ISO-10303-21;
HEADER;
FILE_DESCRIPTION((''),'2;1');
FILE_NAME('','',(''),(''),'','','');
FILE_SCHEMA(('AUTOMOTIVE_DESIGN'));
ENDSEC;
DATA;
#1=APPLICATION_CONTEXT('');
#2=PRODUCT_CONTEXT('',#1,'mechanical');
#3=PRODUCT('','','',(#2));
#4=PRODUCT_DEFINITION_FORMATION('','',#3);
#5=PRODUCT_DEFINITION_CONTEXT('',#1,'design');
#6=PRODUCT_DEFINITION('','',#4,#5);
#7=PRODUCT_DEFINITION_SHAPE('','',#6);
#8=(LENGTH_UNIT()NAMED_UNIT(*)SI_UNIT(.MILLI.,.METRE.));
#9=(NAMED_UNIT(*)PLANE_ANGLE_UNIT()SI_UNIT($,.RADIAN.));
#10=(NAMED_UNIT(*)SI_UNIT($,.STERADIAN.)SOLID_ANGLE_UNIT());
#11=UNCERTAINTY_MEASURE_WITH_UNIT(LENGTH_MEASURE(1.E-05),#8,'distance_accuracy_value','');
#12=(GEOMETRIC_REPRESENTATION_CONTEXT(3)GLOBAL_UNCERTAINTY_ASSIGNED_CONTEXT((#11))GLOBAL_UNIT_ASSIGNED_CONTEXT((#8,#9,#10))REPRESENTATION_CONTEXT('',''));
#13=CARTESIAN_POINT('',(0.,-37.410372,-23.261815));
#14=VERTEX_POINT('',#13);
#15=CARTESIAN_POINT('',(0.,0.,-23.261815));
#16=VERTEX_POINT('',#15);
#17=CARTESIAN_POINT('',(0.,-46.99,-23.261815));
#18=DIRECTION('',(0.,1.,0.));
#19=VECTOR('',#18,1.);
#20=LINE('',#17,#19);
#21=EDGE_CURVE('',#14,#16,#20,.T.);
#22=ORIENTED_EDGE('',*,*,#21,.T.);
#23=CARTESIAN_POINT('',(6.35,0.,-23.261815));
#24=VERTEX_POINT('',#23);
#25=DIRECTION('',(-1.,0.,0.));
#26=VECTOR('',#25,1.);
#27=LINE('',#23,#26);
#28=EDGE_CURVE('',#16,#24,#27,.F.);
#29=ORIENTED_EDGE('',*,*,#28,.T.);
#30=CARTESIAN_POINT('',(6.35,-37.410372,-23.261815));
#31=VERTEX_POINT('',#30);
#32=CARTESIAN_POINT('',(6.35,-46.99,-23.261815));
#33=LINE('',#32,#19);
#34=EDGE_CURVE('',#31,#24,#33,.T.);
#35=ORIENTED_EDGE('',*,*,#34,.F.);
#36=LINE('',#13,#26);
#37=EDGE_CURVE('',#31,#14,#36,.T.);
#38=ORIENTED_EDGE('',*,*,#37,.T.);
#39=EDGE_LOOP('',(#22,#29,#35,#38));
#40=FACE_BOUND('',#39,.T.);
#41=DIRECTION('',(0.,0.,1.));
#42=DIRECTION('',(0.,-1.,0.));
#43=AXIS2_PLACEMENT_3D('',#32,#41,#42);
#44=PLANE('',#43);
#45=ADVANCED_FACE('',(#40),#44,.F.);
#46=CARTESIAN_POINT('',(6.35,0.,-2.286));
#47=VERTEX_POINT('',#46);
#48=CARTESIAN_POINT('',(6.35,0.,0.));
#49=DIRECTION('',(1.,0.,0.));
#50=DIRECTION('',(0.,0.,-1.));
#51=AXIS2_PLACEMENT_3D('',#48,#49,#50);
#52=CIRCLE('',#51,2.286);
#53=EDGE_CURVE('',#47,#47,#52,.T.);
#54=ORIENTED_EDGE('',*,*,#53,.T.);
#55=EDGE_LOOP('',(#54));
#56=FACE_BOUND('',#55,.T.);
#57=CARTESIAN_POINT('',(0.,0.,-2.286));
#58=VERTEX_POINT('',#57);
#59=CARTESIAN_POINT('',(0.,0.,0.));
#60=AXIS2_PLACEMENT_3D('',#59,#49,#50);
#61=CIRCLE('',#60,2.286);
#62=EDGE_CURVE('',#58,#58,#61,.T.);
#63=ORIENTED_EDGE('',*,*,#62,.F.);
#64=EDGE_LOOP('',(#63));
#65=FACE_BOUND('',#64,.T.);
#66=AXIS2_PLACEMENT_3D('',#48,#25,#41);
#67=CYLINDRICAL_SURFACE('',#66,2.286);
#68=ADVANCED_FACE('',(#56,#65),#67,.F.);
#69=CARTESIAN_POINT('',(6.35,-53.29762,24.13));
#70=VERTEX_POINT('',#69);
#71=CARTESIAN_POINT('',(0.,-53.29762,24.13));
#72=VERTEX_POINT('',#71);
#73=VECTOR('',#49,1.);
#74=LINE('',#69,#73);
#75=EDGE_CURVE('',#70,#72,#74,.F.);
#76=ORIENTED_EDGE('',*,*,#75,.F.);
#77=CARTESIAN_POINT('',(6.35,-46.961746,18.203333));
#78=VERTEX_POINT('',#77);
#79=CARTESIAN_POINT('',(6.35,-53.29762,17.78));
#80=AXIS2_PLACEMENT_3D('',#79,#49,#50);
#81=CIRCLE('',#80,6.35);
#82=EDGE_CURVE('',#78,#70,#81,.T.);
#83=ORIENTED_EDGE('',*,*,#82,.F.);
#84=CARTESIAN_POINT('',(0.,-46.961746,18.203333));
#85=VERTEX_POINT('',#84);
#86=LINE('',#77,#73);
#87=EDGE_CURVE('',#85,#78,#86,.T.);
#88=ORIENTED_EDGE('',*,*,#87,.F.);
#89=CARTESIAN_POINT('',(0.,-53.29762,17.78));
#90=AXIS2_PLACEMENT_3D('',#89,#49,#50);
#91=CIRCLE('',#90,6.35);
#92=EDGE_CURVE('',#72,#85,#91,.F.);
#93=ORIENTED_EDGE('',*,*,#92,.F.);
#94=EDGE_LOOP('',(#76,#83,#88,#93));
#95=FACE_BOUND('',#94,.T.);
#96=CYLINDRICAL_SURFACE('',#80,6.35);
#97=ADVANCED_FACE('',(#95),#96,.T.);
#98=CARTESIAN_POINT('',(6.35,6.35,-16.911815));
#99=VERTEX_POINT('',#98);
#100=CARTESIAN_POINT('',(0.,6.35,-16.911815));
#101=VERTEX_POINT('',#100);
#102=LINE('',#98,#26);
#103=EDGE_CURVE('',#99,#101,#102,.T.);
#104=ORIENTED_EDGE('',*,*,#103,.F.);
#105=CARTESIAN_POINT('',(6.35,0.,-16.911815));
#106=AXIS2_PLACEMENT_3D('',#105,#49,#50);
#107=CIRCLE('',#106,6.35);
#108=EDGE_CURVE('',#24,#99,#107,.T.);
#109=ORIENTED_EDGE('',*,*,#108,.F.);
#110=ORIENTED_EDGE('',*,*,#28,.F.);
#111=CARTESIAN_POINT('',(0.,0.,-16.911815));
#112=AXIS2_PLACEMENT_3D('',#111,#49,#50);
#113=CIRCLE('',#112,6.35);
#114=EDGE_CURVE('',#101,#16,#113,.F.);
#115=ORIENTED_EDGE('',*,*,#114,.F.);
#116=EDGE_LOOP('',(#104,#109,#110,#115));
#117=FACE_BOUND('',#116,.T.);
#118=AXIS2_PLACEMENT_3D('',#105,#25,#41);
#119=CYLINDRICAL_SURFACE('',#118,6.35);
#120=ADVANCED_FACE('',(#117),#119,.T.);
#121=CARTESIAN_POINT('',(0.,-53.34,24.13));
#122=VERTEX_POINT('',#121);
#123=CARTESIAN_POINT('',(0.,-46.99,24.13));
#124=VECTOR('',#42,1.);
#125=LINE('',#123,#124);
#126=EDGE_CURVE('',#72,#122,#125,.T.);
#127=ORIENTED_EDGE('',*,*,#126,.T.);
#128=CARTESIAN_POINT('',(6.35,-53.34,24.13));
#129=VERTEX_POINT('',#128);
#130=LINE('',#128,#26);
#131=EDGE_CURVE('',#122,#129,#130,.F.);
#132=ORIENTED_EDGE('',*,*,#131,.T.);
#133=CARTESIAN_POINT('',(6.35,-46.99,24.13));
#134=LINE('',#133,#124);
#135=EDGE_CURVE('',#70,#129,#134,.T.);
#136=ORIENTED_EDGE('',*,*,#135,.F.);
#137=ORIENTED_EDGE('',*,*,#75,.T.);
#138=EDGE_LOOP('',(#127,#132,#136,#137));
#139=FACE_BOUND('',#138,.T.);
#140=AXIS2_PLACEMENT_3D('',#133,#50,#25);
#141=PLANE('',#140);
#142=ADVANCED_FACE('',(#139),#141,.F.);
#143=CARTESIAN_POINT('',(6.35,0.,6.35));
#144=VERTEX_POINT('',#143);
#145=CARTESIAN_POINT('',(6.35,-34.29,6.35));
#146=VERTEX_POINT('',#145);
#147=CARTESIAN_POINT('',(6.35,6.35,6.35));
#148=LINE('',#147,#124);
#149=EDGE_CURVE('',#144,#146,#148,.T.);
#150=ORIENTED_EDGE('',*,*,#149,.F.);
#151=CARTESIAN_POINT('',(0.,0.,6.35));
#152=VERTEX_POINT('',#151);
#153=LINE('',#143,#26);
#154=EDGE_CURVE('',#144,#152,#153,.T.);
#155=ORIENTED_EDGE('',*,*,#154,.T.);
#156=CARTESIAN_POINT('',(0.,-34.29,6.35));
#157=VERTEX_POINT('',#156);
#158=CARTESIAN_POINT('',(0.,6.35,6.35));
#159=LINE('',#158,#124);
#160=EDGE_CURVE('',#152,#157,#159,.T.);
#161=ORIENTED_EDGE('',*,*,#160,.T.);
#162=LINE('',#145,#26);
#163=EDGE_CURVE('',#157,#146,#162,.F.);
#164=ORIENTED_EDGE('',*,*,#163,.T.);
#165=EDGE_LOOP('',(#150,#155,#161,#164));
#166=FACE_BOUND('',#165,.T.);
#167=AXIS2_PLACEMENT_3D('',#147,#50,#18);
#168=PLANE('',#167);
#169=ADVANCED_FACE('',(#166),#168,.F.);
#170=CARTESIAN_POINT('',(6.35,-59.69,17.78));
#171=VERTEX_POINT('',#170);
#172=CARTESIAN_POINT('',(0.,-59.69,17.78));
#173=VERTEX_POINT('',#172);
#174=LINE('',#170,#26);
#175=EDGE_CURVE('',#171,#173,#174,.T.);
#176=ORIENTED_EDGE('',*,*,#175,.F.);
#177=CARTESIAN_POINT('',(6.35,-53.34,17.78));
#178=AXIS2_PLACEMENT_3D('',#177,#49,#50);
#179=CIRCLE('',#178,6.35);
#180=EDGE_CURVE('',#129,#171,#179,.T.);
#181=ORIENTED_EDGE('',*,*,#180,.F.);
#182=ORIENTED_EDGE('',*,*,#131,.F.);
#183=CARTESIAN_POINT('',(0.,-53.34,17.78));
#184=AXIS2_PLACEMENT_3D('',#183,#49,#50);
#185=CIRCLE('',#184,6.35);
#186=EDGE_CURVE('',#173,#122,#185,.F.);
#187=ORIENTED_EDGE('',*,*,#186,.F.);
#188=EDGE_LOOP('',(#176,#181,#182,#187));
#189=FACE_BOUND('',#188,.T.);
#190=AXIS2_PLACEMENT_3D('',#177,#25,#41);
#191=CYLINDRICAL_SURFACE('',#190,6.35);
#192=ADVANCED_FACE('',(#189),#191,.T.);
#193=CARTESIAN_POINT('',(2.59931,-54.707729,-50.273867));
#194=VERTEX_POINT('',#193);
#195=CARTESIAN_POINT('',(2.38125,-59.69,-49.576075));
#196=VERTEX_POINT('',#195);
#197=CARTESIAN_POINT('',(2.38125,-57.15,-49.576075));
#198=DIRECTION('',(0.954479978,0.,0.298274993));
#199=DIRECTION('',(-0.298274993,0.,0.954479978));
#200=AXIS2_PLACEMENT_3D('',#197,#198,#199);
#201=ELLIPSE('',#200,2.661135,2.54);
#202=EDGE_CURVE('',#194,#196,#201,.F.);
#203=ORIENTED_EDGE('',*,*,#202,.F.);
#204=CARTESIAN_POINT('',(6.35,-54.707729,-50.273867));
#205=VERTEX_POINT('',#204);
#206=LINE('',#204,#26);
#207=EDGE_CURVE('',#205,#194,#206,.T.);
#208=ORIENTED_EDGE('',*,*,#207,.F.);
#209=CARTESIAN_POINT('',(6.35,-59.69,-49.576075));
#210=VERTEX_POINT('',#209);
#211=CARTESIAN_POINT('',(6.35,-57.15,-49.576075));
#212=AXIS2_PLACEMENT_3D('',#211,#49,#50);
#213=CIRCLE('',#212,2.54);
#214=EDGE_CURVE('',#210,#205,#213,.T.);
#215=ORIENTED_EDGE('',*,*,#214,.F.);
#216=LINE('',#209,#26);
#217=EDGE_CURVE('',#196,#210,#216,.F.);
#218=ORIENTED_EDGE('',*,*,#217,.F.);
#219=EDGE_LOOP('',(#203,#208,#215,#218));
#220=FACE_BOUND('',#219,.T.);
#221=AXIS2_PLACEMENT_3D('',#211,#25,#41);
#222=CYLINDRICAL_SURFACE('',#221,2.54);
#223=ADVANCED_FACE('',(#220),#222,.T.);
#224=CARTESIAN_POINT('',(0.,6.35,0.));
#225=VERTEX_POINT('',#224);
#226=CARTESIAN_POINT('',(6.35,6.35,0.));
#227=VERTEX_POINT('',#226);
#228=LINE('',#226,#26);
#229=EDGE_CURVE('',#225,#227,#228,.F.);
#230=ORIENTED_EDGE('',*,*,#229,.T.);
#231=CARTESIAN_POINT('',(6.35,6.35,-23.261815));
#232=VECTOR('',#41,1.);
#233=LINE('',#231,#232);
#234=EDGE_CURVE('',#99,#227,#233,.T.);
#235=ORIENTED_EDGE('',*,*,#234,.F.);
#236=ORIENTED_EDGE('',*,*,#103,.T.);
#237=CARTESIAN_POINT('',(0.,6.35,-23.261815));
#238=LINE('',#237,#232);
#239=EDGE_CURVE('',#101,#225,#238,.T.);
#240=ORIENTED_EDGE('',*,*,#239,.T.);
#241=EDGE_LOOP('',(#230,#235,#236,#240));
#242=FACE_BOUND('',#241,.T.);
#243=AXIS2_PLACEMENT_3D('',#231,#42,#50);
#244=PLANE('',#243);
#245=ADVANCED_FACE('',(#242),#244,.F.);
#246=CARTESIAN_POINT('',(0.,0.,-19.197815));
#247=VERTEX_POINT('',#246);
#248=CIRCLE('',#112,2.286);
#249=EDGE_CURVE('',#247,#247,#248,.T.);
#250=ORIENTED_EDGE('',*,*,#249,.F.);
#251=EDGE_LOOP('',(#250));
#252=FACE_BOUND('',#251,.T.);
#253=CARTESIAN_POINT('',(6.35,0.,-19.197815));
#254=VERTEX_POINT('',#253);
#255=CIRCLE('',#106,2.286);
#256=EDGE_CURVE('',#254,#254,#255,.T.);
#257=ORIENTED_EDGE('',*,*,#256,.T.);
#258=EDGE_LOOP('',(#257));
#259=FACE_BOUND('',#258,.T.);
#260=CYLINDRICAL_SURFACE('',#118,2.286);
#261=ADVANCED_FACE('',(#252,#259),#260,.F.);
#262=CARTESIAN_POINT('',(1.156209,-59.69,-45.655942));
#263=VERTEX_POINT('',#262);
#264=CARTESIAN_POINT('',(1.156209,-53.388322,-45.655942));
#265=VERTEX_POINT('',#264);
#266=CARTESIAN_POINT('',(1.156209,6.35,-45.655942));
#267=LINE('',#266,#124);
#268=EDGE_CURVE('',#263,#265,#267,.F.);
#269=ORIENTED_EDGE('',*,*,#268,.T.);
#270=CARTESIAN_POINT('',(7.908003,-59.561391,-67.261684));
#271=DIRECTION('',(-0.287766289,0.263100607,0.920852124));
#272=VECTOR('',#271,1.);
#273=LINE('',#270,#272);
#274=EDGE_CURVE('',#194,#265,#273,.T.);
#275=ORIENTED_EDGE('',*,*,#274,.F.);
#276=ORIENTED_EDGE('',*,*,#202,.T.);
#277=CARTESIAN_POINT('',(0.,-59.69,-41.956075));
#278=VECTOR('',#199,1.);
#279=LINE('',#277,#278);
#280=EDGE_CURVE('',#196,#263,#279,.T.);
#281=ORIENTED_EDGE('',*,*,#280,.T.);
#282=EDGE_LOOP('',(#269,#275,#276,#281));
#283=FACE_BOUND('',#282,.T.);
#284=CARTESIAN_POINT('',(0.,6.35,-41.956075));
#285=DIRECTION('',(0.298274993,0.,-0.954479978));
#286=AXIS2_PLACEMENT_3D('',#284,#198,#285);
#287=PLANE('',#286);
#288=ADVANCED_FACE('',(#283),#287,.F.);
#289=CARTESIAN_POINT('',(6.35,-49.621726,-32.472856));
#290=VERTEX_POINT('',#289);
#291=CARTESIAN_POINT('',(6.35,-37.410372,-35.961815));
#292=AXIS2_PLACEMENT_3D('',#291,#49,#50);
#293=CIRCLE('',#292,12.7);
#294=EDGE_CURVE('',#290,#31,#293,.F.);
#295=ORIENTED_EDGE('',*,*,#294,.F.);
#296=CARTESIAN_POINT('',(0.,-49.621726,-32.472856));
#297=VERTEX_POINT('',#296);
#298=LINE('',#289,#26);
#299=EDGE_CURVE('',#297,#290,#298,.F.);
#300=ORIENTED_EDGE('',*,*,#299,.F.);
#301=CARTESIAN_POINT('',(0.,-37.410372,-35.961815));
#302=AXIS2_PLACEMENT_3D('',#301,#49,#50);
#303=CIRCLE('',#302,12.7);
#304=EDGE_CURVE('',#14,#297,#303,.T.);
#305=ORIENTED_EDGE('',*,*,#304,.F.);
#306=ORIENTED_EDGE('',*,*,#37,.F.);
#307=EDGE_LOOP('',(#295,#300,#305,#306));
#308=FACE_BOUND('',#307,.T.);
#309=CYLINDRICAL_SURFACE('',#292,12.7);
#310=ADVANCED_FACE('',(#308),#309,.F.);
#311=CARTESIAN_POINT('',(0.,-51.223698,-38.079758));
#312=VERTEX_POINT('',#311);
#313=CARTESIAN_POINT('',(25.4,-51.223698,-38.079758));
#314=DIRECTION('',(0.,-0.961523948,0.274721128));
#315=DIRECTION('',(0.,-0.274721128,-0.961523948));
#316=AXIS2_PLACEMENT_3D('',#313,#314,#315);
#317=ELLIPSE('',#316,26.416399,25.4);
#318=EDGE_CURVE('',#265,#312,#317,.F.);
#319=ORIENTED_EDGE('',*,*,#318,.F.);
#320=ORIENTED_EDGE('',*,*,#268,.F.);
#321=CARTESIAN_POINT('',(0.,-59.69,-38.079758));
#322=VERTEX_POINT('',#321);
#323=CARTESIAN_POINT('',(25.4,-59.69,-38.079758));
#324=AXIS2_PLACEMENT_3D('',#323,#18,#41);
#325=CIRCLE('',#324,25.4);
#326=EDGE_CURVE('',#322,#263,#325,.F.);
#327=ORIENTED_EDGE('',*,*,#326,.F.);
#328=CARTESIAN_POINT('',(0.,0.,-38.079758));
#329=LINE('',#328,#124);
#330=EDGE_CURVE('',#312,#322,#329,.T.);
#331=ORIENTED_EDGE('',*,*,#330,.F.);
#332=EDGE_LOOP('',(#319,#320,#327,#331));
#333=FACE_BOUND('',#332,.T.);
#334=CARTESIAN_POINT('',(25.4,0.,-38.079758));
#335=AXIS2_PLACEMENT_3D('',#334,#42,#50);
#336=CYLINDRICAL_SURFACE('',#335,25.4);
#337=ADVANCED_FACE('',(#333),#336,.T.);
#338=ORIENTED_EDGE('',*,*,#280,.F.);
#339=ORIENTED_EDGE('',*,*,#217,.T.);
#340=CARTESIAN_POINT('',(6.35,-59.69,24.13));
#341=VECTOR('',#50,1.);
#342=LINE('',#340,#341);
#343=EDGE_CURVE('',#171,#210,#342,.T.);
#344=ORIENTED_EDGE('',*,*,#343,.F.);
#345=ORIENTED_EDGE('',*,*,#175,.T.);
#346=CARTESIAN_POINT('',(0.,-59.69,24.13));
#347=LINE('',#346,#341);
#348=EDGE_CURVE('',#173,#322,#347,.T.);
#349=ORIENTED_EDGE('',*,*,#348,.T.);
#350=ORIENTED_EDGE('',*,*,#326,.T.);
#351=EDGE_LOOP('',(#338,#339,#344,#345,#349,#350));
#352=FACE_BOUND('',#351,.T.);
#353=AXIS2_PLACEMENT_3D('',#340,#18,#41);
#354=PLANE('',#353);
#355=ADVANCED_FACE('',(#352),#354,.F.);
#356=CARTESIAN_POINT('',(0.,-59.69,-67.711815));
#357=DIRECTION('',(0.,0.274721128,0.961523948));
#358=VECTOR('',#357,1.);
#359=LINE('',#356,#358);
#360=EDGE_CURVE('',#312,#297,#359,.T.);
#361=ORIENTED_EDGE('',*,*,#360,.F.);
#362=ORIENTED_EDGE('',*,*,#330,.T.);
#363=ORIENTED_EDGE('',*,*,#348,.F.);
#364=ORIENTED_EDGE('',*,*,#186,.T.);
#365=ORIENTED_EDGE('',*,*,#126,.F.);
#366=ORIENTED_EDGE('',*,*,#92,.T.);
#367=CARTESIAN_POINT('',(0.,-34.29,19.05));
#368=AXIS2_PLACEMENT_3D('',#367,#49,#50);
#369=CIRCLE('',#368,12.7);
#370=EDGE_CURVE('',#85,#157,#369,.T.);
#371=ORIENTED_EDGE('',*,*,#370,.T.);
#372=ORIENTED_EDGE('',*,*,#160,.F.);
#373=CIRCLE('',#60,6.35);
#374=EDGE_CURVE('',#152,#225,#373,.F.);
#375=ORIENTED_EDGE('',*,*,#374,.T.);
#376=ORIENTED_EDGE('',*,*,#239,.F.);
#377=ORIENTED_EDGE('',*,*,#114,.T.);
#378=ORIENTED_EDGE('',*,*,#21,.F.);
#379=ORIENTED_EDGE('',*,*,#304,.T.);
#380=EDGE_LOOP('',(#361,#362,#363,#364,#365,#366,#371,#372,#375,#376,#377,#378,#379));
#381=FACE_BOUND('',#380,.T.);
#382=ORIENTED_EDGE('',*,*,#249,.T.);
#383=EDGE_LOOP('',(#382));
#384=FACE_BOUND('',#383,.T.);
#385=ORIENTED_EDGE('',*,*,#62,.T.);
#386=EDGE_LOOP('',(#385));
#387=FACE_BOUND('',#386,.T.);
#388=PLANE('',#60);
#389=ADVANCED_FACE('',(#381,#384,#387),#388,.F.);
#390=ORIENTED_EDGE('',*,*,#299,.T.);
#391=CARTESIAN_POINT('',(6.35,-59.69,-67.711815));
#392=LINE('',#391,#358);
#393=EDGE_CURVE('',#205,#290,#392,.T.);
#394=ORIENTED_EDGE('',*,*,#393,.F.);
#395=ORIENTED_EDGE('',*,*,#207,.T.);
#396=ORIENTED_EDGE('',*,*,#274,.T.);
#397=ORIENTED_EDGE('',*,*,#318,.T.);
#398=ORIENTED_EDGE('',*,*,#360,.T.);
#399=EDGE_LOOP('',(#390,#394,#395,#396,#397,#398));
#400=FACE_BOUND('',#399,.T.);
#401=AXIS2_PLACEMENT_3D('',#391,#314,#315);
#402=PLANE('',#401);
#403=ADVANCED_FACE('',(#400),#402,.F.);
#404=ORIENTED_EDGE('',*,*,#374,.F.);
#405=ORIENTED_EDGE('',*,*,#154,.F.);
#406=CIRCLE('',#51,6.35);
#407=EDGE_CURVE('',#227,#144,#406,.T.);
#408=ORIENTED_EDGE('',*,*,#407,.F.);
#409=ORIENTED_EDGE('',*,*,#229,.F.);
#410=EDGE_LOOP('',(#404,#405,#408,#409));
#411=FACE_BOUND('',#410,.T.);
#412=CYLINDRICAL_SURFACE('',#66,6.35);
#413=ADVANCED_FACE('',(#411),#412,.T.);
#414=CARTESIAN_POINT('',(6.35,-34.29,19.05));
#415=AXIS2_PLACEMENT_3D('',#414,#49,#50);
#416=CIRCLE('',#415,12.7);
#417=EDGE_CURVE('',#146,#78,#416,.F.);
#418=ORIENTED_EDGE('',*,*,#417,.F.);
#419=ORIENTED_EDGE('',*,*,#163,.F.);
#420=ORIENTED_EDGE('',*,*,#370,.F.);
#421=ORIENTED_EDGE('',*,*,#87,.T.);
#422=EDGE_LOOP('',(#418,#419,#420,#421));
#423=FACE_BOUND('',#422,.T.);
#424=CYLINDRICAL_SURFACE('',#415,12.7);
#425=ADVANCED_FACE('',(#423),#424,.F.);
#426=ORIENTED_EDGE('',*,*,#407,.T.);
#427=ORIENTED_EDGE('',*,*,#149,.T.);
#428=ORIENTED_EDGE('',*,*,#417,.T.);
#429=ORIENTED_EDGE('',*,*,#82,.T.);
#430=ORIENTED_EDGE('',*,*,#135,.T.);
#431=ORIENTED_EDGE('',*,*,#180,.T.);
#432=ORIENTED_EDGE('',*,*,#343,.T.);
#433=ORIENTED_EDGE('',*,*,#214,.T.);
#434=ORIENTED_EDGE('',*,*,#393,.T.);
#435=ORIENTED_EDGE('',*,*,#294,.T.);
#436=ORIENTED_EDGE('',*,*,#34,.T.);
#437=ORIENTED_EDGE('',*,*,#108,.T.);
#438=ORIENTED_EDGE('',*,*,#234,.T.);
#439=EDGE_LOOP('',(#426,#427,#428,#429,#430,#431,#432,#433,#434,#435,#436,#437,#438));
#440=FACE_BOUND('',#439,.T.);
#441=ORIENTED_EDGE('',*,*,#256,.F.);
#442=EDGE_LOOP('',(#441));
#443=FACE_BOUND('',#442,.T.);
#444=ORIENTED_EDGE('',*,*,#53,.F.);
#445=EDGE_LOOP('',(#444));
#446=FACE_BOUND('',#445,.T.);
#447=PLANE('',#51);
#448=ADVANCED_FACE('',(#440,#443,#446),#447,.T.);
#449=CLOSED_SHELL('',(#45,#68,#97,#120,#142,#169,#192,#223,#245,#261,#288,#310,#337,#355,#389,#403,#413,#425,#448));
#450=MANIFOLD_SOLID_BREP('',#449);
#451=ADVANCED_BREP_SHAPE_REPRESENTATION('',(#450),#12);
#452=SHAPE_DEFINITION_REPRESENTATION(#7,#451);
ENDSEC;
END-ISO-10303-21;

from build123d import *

# Parameters (mm, degrees)
SKETCH1_R           = 2.286
BOSS_EXTRUDE1_DEPTH = 6.35
FILLET1_R           = 12.7
FILLET2_R           = 6.35
FILLET3_R           = 2.54
CUT_EXTRUDE1_DEPTH  = 85.366399734
FILLET4_R           = 25.4


with BuildPart() as part:
    # Sketch1 → Boss-Extrude1 (new body)
    with BuildSketch(Plane(origin=(0, 0, 0), x_dir=(0, 0, -1), z_dir=(1, 0, 0))):
        Polygon((-6.35, 6.35), (-6.35, -46.99), (-24.13, -46.99), (-24.13, -59.69), (67.711814614, -59.69), (23.261814614, -46.99), (23.261814614, 6.35), align=None)
        Circle(SKETCH1_R, mode=Mode.SUBTRACT)
        with Locations((16.911814614, 0)):
            Circle(SKETCH1_R, mode=Mode.SUBTRACT)
    extrude(amount=BOSS_EXTRUDE1_DEPTH)

    # Fillet1
    fillet1_edges = [part.edges().sort_by_distance(p)[0] for p in [
        (3.175, -46.99, -23.261814614),
        (3.175, -46.99, 6.35),
    ]]
    fillet(fillet1_edges, radius=FILLET1_R)

    # Fillet2
    fillet2_edges = [part.edges().sort_by_distance(p)[0] for p in [
        (3.175, 6.35, 6.35),
        (3.175, 6.35, -23.261814614),
        (3.175, -59.69, 24.13),
        (3.175, -46.99, 24.13),
    ]]
    fillet(fillet2_edges, radius=FILLET2_R)

    # Fillet3
    fillet3_edges = [part.edges().sort_by_distance(p)[0] for p in [
        (3.175, -59.69, -67.711814614),
    ]]
    fillet(fillet3_edges, radius=FILLET3_R)

    # Sketch2 → Cut-Extrude1 (cut, through all)
    with BuildSketch(Plane.XZ.offset(59.69)):
        Polygon((0, -41.956075055), (3.175, -52.116075055), (0, -52.116075055), align=None)
    extrude(amount=-CUT_EXTRUDE1_DEPTH, mode=Mode.SUBTRACT)

    # Fillet4
    fillet4_edges = [part.edges().sort_by_distance(p)[0] for p in [
        (0, -56.010608634, -41.956075055),
    ]]
    fillet(fillet4_edges, radius=FILLET4_R)


solid = part.part
